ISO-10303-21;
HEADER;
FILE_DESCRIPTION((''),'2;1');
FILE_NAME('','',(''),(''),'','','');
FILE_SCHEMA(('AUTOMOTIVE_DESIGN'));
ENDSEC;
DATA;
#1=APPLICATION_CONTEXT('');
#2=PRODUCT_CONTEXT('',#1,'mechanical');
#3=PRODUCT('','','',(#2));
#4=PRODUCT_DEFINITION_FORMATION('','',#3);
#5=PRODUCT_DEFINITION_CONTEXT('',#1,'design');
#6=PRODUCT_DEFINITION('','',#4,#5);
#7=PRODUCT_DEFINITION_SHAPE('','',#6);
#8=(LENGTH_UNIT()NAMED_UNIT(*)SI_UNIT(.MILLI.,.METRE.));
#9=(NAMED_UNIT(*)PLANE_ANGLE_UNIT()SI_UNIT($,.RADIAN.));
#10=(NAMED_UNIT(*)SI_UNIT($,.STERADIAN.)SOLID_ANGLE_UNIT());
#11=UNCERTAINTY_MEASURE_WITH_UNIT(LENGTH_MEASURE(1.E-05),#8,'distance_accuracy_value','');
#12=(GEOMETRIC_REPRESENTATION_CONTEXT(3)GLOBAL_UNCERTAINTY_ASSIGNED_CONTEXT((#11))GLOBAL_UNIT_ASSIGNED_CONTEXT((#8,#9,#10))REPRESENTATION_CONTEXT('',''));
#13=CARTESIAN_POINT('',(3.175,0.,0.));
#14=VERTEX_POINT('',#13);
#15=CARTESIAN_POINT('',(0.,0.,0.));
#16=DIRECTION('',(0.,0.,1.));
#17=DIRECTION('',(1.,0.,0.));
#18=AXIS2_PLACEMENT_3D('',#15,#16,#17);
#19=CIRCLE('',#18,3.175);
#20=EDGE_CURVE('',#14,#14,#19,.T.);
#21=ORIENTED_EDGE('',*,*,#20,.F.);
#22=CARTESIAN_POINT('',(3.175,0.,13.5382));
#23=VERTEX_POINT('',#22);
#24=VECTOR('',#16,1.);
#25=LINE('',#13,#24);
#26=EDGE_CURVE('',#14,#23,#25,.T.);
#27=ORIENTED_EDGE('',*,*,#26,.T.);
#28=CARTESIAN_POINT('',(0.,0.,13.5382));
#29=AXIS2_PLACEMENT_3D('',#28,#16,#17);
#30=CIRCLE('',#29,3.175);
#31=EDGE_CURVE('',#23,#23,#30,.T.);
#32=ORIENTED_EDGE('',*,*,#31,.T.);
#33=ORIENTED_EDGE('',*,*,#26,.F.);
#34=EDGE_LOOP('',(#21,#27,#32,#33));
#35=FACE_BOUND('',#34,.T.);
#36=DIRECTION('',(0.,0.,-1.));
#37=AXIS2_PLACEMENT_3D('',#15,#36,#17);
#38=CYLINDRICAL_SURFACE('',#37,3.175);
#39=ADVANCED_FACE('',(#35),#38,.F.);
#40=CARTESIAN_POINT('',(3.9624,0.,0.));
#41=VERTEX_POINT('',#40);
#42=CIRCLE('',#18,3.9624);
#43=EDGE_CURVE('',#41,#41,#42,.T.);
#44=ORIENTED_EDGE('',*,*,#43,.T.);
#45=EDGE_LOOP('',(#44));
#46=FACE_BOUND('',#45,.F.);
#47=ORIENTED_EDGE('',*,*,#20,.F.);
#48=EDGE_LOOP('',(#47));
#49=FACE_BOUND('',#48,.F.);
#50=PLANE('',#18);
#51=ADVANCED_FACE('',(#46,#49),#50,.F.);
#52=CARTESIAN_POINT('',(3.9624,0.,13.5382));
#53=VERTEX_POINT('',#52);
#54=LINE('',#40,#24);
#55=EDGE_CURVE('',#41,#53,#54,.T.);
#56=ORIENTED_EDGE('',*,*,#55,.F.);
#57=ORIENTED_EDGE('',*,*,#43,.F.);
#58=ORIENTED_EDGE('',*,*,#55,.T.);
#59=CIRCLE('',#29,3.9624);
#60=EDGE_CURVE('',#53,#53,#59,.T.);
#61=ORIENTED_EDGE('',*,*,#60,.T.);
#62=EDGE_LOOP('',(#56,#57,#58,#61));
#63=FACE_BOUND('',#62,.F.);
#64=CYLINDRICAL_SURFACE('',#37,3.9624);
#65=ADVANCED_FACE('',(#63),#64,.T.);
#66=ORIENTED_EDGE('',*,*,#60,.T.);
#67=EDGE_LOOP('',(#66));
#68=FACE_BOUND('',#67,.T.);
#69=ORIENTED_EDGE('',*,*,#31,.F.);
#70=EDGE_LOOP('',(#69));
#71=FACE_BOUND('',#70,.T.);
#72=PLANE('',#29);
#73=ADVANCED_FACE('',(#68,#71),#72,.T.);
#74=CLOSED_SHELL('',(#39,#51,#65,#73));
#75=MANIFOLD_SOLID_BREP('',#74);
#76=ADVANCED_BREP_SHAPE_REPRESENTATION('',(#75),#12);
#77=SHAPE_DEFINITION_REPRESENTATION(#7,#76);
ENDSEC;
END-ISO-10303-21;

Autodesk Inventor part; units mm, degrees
ref_plane "YZ Plane" through (0, 0, 0) normal (1, 0, 0) x (0, 1, 0)
ref_plane "XZ Plane" through (0, 0, 0) normal (0, 1, 0) x (-1, 0, 0)
ref_plane "XY Plane" through (0, 0, 0) normal (0, 0, 1) x (1, 0, 0)
sketch "Sketch1" plane through (0, 0, 0) normal (0, 0, 1) x (1, 0, 0)
  circle A0 centre (0, 0) radius 3.9624
  circle A1 centre (0, 0) radius 3.175
  dimension "d0" = 7.9248
  dimension "d1" = 6.35
extrude "Extrusion1" add sketch "Sketch1" along normal blind 13.5382
properties part number "Standard Bushing"
